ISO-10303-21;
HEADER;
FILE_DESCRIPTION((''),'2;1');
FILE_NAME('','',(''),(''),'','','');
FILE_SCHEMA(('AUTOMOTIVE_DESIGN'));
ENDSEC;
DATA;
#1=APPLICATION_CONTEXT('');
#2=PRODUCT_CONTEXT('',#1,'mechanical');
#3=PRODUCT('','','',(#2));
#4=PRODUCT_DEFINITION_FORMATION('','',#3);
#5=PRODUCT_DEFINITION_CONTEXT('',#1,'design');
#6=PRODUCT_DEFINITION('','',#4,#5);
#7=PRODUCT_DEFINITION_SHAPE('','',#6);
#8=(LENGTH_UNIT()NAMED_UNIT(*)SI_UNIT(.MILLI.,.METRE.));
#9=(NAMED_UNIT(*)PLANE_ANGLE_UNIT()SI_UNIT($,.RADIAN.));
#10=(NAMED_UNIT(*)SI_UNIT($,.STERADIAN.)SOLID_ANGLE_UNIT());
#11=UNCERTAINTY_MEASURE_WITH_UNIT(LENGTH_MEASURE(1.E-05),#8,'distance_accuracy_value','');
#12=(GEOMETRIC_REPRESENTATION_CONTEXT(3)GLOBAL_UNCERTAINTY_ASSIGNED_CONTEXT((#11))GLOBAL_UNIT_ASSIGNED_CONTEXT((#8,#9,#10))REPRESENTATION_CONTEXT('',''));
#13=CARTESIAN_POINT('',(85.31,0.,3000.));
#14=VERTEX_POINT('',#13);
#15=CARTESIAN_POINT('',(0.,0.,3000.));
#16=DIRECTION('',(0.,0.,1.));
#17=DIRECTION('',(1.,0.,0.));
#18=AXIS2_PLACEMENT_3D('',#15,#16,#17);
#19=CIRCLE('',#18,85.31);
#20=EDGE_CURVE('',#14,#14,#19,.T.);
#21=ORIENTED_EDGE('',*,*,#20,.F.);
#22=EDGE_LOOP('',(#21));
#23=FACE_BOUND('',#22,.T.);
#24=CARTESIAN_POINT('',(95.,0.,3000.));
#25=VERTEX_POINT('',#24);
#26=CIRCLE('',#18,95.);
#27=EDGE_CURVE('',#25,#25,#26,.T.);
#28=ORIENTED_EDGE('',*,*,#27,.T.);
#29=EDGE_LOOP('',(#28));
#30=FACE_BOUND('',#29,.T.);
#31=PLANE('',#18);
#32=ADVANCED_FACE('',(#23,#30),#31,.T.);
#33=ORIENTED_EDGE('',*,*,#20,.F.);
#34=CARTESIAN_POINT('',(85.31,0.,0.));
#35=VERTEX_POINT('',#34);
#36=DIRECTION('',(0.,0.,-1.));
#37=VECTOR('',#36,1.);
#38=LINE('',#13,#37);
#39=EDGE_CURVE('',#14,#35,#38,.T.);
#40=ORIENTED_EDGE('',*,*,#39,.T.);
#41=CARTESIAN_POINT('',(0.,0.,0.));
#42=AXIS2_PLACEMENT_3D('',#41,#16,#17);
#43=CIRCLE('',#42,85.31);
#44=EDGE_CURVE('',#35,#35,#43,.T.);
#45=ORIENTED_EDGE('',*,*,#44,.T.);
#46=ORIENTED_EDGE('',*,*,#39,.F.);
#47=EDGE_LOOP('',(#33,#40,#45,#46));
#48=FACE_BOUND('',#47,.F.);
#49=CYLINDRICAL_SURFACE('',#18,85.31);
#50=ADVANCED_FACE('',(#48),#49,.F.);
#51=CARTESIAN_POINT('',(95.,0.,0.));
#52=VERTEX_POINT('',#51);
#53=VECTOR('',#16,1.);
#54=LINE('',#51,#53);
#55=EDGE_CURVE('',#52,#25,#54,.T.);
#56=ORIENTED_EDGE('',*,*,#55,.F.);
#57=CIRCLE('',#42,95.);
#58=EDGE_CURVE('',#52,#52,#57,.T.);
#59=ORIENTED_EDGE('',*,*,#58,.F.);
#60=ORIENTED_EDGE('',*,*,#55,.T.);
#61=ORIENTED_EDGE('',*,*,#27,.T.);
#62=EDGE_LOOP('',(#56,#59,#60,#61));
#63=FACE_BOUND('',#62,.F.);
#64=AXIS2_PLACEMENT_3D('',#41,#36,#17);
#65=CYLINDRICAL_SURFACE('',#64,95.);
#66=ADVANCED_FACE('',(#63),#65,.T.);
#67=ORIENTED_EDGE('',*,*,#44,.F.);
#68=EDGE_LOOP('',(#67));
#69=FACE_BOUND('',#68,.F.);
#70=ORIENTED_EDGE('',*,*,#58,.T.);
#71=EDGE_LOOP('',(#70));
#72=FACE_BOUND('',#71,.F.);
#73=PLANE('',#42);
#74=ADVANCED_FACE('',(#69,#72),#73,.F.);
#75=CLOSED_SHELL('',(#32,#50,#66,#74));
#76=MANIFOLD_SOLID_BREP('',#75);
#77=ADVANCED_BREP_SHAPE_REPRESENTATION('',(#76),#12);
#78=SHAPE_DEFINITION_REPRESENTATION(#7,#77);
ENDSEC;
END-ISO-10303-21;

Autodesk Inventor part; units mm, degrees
ref_plane "YZ Plane" through (0, 0, 0) normal (1, 0, 0) x (0, 1, 0)
ref_plane "XZ Plane" through (0, 0, 0) normal (0, 1, 0) x (-1, 0, 0)
ref_plane "XY Plane" through (0, 0, 0) normal (0, 0, 1) x (1, 0, 0)
sketch "Boceto1" plane through (0, 0, 0) normal (0, 0, 1) x (1, 0, 0)
  circle A0 centre (0, 0) radius 95
  dimension "d0" = 190
extrude "Extrusión1" add sketch "Boceto1" along normal blind 3000
sketch "Boceto3" plane through (0, 0, 3000) normal (0, 0, 1) x (1, 0, 0)
  circle A0 centre (0, 0) radius 85.31
  dimension "d6" = 170.62
extrude "Extrusión3" cut sketch "Boceto3" against normal blind 3000
properties part number "Tubo de 3 mestros"
